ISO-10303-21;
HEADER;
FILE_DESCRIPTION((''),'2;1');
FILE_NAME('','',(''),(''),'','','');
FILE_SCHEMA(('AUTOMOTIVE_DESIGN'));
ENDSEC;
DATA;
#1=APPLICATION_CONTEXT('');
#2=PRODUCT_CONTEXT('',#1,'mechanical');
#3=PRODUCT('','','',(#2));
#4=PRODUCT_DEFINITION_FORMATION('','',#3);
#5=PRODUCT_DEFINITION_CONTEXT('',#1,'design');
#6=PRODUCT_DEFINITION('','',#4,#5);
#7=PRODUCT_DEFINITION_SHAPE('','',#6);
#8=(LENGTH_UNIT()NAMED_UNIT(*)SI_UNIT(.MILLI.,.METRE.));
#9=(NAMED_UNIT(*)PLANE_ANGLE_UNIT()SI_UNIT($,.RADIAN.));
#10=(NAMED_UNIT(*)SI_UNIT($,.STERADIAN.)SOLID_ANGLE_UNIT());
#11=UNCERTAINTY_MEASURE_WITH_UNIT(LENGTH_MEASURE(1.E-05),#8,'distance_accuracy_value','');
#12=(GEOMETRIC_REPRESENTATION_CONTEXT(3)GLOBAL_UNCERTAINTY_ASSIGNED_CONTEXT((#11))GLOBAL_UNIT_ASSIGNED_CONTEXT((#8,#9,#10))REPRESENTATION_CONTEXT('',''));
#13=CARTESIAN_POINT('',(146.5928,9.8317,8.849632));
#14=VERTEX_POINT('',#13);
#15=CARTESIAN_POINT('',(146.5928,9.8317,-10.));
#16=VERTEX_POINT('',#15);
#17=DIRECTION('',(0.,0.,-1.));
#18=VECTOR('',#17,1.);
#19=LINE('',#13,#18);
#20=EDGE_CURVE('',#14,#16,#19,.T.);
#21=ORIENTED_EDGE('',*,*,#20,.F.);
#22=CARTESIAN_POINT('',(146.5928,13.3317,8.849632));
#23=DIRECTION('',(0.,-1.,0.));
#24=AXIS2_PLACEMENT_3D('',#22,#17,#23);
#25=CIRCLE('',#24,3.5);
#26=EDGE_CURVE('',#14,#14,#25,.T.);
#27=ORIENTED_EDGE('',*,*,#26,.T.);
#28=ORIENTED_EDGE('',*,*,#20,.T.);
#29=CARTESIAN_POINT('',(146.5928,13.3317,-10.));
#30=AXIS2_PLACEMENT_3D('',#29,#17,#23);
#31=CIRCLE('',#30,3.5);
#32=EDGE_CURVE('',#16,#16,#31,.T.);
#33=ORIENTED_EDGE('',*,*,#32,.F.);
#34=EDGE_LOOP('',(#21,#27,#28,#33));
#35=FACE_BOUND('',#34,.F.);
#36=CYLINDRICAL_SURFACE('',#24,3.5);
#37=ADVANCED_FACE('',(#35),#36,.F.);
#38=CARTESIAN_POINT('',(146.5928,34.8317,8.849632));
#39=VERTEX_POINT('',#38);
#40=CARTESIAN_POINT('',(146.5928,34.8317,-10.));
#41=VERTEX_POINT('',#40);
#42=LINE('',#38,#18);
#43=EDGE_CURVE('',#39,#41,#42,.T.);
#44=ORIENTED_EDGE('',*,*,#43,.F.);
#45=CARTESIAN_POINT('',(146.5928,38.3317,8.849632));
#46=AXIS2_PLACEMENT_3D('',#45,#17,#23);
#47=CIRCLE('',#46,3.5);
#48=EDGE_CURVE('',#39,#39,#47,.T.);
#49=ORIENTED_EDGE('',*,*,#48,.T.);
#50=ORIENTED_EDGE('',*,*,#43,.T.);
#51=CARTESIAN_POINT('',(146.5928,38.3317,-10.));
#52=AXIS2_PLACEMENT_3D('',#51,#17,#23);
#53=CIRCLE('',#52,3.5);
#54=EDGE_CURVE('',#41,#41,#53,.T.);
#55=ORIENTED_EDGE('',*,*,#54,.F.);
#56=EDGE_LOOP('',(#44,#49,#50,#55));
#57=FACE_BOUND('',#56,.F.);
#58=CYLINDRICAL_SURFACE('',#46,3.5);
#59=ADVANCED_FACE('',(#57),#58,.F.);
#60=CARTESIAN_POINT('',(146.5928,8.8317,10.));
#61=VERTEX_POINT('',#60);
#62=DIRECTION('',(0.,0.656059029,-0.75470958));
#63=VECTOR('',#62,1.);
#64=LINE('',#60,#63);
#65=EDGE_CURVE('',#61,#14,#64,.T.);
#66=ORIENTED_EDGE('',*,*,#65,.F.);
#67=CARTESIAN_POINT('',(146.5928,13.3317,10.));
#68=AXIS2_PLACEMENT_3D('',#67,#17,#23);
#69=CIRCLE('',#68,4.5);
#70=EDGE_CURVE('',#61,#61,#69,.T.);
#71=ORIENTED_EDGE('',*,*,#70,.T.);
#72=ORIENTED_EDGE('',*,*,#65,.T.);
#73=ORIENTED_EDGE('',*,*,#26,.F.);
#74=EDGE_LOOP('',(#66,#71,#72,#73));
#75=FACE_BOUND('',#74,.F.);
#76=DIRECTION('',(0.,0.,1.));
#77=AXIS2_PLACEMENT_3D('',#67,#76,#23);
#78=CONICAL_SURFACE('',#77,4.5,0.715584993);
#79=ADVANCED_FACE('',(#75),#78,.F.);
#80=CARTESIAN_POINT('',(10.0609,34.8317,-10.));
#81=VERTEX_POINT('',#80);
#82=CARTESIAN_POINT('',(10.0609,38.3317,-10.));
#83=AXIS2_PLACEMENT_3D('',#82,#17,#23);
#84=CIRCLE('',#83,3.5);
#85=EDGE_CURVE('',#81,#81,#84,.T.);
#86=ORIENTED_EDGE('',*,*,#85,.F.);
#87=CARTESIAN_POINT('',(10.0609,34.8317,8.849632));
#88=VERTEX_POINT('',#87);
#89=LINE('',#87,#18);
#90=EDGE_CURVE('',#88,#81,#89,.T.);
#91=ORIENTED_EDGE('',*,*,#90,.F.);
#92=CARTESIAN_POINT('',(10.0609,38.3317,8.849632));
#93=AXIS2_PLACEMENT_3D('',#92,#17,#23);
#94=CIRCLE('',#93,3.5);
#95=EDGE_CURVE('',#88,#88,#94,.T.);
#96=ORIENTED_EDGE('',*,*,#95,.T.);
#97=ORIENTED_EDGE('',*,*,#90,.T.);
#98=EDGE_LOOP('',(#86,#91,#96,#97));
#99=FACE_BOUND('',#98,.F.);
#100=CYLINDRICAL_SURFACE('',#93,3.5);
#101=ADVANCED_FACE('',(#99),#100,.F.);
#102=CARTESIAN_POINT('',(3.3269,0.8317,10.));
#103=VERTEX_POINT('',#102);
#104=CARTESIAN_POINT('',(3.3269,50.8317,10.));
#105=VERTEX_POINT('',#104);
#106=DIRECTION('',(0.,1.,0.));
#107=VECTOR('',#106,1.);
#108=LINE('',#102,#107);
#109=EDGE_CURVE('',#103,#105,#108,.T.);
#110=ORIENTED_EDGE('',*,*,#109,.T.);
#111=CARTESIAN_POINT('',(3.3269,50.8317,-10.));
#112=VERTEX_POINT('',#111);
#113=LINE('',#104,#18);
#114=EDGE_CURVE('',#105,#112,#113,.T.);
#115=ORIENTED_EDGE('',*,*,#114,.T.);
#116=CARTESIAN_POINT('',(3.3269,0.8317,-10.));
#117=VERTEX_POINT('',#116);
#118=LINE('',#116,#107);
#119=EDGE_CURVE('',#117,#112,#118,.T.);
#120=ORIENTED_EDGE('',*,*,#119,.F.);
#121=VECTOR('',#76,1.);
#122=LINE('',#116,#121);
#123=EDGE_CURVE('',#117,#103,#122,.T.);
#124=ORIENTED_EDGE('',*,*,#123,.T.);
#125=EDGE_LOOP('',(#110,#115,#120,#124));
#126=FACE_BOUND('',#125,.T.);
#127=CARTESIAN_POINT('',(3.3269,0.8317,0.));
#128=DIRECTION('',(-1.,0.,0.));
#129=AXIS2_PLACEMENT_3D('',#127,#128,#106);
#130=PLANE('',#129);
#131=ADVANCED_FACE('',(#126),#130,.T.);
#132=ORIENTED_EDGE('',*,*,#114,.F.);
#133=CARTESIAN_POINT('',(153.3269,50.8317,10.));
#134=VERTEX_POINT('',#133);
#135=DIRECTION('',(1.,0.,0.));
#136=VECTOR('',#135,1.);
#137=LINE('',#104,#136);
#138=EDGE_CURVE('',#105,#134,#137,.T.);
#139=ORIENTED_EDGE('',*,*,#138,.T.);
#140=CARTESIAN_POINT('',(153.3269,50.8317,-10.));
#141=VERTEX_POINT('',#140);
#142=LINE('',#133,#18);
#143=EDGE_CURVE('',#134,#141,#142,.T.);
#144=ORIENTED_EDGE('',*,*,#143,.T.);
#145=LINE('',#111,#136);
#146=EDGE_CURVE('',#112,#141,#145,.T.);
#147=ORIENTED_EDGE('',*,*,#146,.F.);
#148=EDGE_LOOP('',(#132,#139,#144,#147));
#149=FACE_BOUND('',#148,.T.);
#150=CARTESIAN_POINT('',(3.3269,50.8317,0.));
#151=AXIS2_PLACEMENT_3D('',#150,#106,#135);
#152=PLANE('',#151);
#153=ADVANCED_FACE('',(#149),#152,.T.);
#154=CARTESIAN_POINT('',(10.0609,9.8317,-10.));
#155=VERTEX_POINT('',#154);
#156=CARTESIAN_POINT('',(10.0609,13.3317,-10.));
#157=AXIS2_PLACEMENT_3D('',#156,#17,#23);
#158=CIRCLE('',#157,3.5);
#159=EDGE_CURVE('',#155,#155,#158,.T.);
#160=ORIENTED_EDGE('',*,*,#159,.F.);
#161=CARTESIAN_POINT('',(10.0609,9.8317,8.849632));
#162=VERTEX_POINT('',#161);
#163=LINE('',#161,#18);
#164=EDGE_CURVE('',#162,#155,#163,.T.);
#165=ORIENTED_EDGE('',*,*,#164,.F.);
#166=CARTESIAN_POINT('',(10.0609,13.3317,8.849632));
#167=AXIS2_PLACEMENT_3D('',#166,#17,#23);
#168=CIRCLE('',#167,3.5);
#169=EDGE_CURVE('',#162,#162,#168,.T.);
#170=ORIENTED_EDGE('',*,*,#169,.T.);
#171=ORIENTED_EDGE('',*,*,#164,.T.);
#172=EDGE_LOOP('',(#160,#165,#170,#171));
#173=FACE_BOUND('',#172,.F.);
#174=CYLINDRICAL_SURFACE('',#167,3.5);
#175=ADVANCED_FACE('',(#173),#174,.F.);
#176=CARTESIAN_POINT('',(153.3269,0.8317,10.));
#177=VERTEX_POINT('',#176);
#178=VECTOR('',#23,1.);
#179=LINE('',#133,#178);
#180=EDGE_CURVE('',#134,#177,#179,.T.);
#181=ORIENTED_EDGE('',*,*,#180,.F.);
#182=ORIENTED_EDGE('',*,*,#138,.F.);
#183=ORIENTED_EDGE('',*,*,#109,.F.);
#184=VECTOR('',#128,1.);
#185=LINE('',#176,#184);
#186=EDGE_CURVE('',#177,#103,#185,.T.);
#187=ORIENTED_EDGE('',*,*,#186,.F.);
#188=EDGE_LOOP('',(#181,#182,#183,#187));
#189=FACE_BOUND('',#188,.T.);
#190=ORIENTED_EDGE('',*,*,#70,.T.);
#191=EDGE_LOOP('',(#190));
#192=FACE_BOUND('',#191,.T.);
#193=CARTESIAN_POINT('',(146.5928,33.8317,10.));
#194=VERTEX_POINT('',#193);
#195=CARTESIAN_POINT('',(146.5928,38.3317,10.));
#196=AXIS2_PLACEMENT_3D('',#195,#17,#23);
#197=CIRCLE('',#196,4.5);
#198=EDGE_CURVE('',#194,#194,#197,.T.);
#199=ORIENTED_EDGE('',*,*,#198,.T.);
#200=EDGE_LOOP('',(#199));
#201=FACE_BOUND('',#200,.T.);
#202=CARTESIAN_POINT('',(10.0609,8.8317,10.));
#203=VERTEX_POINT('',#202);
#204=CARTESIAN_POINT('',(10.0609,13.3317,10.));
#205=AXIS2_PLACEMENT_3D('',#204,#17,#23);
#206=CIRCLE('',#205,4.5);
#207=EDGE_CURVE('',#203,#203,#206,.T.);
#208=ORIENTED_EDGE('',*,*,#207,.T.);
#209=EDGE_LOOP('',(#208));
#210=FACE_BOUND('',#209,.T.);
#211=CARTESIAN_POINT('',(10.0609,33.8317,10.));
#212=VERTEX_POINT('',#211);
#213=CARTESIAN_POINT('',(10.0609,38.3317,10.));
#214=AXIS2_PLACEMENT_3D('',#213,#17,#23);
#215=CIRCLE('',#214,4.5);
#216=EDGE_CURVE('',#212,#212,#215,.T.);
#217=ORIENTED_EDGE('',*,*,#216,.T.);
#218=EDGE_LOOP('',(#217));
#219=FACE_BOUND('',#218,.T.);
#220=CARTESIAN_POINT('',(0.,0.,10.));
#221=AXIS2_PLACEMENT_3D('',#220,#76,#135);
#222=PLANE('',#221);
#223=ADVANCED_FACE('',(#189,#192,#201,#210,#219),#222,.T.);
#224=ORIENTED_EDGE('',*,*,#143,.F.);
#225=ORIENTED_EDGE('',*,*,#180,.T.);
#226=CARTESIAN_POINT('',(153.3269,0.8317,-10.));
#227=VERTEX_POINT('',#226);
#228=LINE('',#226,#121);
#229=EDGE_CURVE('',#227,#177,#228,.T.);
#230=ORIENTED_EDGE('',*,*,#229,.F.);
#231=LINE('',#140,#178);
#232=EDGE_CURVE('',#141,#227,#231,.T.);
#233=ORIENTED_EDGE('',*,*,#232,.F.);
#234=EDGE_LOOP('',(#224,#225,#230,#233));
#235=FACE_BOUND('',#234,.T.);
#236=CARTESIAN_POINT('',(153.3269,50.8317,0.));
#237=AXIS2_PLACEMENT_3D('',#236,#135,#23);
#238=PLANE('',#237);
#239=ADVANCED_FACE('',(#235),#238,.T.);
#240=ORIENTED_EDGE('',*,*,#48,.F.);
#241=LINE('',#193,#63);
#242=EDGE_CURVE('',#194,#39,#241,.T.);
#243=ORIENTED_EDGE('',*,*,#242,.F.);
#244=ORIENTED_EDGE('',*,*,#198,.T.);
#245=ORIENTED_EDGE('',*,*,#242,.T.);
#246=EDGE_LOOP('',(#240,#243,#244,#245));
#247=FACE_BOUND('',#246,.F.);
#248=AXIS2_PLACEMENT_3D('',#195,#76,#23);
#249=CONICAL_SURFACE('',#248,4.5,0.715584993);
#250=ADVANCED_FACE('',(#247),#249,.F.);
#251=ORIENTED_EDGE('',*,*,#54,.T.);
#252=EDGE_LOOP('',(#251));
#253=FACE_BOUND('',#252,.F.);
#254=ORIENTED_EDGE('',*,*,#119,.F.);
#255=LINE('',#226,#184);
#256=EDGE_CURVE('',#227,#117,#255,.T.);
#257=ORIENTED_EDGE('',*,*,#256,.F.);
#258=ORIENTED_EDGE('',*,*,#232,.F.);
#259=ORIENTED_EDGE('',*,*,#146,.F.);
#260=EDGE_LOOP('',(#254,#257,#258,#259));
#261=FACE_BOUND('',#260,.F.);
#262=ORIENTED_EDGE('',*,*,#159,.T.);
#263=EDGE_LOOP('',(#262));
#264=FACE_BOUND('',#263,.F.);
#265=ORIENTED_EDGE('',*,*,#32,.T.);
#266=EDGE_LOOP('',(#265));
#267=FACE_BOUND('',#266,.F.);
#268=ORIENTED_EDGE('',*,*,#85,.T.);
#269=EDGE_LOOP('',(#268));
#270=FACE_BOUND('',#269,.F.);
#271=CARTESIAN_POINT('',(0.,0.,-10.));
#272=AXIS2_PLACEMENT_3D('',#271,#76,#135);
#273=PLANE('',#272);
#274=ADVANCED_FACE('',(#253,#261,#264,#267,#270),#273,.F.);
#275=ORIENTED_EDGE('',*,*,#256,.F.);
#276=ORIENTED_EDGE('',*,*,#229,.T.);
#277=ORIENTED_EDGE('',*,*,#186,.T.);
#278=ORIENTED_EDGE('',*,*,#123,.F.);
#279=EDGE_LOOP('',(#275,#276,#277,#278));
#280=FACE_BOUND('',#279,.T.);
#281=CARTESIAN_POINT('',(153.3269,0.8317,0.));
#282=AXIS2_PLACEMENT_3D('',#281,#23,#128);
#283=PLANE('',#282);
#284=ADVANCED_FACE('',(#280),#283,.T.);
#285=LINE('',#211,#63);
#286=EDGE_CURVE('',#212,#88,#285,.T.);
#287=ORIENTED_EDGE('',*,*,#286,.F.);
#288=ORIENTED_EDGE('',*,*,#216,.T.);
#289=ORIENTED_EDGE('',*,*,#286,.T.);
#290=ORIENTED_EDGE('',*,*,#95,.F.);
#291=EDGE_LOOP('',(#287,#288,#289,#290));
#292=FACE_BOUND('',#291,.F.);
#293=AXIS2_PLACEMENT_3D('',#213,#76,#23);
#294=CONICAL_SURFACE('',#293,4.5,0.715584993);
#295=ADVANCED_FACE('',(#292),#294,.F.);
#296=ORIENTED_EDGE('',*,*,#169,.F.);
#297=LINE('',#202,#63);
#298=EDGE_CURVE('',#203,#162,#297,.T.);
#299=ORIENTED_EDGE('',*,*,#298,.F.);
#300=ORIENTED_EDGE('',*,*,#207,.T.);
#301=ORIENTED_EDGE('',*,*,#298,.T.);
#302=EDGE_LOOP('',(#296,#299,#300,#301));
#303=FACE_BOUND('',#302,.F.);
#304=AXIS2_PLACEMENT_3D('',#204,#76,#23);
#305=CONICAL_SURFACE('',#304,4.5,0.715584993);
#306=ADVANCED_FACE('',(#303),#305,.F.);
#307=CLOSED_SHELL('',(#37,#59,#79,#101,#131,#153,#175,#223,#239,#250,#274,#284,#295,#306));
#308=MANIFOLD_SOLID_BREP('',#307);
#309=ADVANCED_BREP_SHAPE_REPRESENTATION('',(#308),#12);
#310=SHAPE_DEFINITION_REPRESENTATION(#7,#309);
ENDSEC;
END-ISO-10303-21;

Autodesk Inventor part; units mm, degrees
ref_plane "YZ Plane" through (0, 0, 0) normal (1, 0, 0) x (0, 1, 0)
ref_plane "XZ Plane" through (0, 0, 0) normal (0, 1, 0) x (-1, 0, 0)
ref_plane "XY Plane" through (0, 0, 0) normal (0, 0, 1) x (1, 0, 0)
sketch "Boceto1" plane through (0, 0, 0) normal (0, 0, 1) x (1, 0, 0)
  line L0 (3.3269, 0.8317) -> (3.3269, 50.8317)
  line L1 (3.3269, 50.8317) -> (153.3269, 50.8317)
  line L2 (153.3269, 50.8317) -> (153.3269, 0.8317)
  line L3 (153.3269, 0.8317) -> (3.3269, 0.8317)
  point P0 (0, 0)
  dimension "d0" = 150
  dimension "d1" = 50
extrude "Extrusión1" add sketch "Boceto1" along normal mid plane 20
sketch "Boceto3" plane through (0, 0, 10) normal (0, 0, 1) x (1, 0, 0)
  circle A0 centre (146.5928, 38.3317) radius 3.5
  circle A1 centre (146.5928, 13.3317) radius 3.5
  line L0 (3.3269, 50.8317) -> (153.3269, 50.8317) projected
  circle A2 centre (146.5928, 38.3317) radius 4.5
  circle A3 centre (146.5928, 13.3317) radius 4.5
  line L1 (153.3269, 50.8317) -> (3.3269, 50.8317) projected
  circle A4 centre (10.0609, 38.3317) radius 3.5
  circle A5 centre (10.0609, 13.3317) radius 3.5
  circle A6 centre (10.0609, 38.3317) radius 4.5
  circle A7 centre (10.0609, 13.3317) radius 4.5
  point P0 (0, 0)
  dimension "d8" = 7
  dimension "d9" = 7
  dimension "d10" = 25
  dimension "d11" = 12.5
  dimension "d12" = 9
  dimension "d13" = 9
hole "Agujero1" at (10.0609, 38.3317, 10) at (10.0609, 13.3317, 10) at (146.5928, 38.3317, 10) at (146.5928, 13.3317, 10) direction (0, 0, -1) diameter 7 depth 40 countersink diameter 9 countersink angle 82
properties part number "soporte_rueca"
